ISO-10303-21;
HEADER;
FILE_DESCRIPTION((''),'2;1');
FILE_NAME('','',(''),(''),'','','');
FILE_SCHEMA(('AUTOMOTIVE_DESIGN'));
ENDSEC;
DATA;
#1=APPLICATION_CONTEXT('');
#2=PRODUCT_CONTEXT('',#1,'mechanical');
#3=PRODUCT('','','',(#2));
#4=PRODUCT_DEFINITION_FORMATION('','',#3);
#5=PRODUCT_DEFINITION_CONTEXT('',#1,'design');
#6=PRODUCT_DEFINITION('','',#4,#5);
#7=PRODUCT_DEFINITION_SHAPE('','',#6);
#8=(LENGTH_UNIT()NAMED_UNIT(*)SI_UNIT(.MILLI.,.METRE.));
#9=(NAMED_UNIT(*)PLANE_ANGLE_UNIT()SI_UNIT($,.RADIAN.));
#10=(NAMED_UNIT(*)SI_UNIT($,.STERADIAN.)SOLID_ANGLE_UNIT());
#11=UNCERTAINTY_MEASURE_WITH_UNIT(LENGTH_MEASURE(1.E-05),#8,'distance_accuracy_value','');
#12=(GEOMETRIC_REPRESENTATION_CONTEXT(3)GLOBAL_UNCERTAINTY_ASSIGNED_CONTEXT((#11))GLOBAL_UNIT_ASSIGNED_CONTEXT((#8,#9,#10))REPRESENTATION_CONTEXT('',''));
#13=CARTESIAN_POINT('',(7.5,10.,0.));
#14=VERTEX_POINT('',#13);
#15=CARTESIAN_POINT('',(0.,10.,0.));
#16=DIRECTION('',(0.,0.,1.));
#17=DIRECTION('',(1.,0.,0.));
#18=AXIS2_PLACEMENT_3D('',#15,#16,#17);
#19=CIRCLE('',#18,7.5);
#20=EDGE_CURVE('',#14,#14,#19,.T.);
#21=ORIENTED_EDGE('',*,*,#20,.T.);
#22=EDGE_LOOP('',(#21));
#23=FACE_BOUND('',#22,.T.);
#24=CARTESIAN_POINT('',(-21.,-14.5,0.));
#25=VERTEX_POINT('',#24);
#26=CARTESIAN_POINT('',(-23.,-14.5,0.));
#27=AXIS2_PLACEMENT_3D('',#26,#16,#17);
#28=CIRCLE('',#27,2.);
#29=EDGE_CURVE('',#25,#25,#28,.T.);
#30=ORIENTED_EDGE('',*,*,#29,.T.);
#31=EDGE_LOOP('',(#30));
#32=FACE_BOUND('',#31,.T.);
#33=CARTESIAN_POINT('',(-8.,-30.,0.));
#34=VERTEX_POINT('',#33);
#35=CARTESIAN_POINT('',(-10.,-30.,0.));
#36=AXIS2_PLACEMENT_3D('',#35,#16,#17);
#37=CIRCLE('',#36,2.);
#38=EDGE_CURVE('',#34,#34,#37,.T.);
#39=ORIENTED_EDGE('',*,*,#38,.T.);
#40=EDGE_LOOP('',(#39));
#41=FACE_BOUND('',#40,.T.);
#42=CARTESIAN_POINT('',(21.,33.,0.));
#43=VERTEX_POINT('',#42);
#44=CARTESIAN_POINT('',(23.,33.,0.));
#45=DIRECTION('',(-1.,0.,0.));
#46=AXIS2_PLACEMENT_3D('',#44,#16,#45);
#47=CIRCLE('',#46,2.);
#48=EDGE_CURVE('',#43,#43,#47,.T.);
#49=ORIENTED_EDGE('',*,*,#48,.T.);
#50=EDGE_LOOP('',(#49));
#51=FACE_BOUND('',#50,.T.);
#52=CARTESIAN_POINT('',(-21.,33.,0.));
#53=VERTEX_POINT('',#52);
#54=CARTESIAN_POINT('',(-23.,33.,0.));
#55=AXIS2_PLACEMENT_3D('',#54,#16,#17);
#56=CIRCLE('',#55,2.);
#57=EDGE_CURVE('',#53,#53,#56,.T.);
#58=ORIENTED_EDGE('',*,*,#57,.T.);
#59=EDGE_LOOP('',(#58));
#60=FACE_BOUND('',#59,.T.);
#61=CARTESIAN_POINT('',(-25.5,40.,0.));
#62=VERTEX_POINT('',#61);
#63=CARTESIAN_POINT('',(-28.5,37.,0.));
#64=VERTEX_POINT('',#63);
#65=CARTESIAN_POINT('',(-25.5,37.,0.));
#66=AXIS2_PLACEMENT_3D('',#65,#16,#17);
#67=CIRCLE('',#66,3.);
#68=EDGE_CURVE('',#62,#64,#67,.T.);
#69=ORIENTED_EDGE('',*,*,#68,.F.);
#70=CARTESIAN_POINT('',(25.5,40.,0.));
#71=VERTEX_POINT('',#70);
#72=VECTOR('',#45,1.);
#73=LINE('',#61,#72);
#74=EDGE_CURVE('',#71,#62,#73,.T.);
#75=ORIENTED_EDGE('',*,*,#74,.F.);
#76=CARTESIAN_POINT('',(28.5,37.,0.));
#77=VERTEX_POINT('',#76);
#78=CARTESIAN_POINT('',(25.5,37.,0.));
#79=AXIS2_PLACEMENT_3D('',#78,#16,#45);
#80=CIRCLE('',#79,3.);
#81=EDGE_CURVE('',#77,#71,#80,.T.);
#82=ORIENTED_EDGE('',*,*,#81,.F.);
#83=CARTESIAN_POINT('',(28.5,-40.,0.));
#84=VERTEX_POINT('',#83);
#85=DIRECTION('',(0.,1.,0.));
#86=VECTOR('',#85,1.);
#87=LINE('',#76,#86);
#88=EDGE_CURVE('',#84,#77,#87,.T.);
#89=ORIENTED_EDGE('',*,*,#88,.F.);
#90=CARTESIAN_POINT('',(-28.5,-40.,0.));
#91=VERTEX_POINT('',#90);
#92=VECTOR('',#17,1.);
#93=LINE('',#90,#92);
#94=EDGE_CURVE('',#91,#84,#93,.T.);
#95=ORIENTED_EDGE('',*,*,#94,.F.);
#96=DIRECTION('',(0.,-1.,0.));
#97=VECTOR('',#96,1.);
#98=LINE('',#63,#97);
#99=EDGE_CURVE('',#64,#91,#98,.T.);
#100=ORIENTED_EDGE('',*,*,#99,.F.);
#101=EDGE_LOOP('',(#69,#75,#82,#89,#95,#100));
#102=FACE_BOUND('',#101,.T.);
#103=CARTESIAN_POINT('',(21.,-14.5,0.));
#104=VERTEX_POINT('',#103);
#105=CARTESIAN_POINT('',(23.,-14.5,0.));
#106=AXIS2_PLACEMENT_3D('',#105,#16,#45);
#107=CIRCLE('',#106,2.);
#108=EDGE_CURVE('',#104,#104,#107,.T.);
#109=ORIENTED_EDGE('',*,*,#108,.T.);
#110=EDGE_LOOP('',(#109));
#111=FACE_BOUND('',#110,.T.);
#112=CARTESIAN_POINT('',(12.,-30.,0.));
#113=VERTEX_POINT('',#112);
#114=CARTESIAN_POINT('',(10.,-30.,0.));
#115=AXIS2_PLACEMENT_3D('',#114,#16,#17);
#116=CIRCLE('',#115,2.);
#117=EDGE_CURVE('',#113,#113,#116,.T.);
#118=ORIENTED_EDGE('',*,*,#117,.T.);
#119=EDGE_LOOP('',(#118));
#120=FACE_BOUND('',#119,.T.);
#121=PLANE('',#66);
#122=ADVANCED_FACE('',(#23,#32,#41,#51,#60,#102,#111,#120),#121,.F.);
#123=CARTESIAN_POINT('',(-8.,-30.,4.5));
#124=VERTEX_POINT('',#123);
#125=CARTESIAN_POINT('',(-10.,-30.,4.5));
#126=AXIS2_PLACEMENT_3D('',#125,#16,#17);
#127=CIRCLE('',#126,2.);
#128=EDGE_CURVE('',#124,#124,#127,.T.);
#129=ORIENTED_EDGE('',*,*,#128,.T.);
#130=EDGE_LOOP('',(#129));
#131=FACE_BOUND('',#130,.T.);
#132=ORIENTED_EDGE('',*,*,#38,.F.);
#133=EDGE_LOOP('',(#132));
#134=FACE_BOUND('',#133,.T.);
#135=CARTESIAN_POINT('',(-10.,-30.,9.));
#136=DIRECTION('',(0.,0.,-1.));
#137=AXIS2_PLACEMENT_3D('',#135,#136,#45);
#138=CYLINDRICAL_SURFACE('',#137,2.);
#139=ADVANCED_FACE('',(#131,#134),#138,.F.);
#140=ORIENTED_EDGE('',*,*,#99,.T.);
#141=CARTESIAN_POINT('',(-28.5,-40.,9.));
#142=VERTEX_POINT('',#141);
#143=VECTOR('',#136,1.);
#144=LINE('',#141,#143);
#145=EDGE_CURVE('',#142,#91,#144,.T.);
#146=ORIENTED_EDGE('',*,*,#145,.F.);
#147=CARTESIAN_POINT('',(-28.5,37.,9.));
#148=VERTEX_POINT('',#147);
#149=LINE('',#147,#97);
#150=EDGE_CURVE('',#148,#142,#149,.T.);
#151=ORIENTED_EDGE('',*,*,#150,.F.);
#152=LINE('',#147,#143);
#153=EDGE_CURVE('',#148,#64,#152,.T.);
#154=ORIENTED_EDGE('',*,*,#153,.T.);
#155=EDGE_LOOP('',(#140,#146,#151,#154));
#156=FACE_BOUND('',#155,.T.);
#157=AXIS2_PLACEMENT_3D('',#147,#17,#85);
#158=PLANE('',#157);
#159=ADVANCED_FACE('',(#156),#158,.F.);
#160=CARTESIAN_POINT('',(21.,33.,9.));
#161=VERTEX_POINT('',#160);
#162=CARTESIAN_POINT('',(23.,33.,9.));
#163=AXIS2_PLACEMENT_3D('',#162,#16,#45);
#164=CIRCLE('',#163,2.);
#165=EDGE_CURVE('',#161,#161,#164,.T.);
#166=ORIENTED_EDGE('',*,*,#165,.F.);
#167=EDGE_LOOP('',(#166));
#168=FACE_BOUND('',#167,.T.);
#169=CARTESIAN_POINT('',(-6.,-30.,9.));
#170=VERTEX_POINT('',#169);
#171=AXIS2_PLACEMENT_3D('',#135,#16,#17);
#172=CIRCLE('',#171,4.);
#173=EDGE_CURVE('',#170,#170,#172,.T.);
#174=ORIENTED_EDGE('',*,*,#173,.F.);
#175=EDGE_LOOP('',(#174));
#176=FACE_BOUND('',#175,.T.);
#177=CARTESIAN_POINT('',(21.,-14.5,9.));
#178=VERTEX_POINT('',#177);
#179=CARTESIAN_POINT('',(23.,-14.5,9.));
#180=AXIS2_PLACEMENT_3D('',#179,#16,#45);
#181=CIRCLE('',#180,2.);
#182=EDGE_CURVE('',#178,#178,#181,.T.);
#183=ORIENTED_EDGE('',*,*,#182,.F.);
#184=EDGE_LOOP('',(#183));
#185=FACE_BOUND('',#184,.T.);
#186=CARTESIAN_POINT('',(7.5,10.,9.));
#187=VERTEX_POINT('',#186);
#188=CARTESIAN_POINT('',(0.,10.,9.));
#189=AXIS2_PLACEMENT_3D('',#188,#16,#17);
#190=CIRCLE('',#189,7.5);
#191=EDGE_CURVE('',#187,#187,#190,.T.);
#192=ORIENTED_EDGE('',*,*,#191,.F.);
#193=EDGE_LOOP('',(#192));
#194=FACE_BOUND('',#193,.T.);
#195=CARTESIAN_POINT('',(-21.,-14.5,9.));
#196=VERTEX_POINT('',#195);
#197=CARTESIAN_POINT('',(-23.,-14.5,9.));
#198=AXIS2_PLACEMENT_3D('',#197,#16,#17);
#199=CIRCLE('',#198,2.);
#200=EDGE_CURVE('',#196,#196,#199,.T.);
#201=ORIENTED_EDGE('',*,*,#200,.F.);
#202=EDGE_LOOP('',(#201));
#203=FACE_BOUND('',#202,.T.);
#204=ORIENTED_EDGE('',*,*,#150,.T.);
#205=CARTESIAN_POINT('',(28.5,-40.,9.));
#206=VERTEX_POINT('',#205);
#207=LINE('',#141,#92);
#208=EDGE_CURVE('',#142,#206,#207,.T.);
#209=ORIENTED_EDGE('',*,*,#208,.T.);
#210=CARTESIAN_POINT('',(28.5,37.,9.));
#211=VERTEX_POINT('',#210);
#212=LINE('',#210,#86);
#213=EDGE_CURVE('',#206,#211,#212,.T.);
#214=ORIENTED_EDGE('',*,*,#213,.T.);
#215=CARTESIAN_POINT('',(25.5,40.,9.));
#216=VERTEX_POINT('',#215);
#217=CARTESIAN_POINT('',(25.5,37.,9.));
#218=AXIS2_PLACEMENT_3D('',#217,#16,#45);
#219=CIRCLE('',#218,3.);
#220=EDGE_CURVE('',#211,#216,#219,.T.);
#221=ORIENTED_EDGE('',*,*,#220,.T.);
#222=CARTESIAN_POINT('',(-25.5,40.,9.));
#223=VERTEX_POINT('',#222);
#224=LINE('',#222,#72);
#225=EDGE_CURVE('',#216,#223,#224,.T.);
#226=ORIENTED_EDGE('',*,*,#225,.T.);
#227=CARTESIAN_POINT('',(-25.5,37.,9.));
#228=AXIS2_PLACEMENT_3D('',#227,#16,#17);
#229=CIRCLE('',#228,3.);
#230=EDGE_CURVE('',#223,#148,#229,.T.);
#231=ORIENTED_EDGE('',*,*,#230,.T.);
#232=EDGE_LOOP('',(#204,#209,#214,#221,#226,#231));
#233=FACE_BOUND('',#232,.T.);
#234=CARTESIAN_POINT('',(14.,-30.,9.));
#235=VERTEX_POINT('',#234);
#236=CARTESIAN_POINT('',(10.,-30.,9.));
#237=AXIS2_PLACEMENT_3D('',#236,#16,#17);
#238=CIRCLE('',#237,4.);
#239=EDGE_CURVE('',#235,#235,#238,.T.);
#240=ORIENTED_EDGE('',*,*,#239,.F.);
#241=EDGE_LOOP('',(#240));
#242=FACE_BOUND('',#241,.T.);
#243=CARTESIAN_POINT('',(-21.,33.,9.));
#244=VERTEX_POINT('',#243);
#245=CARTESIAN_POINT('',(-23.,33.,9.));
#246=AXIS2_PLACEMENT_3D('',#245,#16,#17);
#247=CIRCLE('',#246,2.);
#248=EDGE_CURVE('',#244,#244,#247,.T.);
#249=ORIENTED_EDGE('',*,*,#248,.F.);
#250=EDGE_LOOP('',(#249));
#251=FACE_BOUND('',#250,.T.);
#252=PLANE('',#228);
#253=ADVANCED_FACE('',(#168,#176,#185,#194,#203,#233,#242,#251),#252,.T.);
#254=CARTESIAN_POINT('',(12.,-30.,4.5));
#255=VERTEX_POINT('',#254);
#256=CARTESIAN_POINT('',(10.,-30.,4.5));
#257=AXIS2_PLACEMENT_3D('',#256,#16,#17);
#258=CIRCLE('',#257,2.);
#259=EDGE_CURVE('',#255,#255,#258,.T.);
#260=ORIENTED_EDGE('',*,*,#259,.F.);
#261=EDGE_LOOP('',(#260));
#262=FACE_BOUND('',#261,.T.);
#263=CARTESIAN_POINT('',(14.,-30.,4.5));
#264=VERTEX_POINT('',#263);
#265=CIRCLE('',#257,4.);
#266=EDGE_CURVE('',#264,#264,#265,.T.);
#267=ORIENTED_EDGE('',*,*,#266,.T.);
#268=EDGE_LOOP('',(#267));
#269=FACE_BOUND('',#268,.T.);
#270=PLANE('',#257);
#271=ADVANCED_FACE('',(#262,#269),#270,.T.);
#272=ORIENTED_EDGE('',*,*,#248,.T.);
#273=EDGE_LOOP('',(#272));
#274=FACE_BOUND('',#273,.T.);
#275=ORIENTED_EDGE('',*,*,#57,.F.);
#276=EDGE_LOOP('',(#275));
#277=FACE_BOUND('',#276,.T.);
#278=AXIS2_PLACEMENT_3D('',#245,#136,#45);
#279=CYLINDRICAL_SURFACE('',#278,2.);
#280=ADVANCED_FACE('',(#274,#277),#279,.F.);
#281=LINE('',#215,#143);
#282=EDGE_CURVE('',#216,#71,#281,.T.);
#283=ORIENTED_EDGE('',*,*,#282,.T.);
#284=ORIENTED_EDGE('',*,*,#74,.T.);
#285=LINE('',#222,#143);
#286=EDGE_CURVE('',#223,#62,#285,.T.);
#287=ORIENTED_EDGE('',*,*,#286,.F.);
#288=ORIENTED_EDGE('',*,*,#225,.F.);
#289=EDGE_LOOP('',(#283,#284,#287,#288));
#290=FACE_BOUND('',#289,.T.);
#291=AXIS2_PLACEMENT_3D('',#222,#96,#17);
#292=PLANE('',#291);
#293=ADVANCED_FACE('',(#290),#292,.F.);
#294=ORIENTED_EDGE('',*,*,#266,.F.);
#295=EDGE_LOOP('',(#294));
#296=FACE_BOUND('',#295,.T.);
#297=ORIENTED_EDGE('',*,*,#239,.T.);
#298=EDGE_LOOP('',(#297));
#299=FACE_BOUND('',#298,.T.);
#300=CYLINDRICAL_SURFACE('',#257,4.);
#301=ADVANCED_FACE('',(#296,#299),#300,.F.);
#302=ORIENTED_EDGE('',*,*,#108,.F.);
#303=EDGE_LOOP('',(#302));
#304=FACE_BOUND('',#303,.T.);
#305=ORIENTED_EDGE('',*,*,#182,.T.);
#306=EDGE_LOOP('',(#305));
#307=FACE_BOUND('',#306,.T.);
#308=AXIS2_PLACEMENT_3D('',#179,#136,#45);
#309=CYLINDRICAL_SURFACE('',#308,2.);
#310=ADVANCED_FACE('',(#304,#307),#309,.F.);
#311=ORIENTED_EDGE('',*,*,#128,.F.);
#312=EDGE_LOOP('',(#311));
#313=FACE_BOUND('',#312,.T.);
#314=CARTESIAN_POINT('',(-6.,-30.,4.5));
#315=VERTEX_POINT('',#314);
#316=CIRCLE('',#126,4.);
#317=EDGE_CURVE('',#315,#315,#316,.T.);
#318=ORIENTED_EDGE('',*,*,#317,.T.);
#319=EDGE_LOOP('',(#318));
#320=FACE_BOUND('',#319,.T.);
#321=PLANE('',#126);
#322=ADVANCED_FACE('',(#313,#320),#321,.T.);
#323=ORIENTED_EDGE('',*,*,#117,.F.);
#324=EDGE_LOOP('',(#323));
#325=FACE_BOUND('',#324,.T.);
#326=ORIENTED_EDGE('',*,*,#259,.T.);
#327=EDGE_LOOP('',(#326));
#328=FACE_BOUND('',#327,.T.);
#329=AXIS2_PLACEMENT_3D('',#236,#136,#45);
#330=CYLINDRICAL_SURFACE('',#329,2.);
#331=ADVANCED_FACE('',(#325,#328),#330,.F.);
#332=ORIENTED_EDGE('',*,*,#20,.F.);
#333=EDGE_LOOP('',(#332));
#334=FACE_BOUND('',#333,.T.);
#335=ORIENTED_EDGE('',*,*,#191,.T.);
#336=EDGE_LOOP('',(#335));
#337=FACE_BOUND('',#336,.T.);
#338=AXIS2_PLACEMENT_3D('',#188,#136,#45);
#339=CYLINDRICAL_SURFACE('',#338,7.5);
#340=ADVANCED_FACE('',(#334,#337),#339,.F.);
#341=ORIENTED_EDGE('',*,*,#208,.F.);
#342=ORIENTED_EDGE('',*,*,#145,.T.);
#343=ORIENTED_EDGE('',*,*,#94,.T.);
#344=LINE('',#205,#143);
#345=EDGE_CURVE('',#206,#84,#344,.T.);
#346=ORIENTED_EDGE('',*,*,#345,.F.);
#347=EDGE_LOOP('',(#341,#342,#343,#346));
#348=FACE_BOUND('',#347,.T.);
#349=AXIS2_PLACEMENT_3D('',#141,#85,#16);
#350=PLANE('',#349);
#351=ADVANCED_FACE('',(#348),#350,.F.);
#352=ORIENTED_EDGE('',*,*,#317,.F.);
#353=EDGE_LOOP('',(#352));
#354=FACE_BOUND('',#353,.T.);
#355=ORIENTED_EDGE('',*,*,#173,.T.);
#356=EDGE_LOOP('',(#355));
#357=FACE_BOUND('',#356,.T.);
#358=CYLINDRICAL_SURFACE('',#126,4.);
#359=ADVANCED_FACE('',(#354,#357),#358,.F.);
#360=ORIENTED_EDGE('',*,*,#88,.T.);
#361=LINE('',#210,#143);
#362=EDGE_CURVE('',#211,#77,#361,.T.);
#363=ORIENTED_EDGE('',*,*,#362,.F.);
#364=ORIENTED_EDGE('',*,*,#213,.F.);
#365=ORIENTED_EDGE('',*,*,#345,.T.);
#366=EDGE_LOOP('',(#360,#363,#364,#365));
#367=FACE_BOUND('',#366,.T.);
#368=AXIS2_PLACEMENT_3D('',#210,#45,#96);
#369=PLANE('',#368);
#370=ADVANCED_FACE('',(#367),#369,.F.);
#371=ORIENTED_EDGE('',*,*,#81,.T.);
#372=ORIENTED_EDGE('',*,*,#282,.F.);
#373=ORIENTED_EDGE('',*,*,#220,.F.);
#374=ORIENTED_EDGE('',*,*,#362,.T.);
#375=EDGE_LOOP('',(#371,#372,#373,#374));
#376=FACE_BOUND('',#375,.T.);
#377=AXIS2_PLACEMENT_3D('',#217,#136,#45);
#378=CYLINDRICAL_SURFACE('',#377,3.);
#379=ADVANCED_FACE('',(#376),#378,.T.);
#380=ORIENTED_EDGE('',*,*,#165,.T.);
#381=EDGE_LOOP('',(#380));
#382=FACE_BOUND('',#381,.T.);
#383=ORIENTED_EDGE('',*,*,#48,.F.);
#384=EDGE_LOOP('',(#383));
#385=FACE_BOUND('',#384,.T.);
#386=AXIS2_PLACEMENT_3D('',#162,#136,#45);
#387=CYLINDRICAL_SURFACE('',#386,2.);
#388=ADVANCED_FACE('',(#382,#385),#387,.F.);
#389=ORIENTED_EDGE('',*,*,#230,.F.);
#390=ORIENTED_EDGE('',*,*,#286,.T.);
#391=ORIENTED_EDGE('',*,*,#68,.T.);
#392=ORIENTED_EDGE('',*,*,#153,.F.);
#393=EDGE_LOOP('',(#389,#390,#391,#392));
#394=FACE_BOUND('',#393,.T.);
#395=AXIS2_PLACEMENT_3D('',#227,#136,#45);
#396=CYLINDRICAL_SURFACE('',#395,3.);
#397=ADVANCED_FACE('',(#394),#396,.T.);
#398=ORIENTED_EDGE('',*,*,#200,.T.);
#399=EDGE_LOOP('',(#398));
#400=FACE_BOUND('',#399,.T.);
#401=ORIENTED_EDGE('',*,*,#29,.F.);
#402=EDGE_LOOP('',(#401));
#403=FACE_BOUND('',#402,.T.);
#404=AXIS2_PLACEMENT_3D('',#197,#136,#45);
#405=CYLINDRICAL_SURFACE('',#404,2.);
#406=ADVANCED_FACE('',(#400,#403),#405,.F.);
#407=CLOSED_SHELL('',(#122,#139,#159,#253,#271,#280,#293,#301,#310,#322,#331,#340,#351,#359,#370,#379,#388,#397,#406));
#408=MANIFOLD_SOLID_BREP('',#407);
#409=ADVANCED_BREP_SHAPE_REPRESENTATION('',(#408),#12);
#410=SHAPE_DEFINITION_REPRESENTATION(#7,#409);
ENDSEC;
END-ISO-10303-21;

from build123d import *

# Parameters (mm, degrees)
CROQUIS1_R              = 7.5
CROQUIS1_R_2            = 2
SALIENTE_EXTRUIR1_DEPTH = 9
CROQUIS2_R              = 4
CORTAR_EXTRUIR1_DEPTH   = 4.5


with BuildPart() as part:
    # Croquis1 → Saliente-Extruir1 (new body)
    with BuildSketch(Plane.XY):
        with BuildLine():
            Line((-25.5, 40), (25.5, 40))
            ThreePointArc((25.5, 40), (27.621320344, 39.121320344), (28.5, 37))
            Line((28.5, 37), (28.5, -40))
            Line((28.5, -40), (-28.5, -40))
            Line((-28.5, -40), (-28.5, 37))
            ThreePointArc((-28.5, 37), (-27.621320344, 39.121320344), (-25.5, 40))
        make_face()
        with Locations((0, 10)):
            Circle(CROQUIS1_R, mode=Mode.SUBTRACT)
        with Locations((10, -30)):
            Circle(CROQUIS1_R_2, mode=Mode.SUBTRACT)
        with Locations((-10, -30)):
            Circle(CROQUIS1_R_2, mode=Mode.SUBTRACT)
        with Locations((-23, 33)):
            Circle(CROQUIS1_R_2, mode=Mode.SUBTRACT)
        with Locations((-23, -14.5)):
            Circle(CROQUIS1_R_2, mode=Mode.SUBTRACT)
        with Locations(Location((23, -14.5, 0), (0, 0, 180))):
            Circle(CROQUIS1_R_2, mode=Mode.SUBTRACT)
        with Locations(Location((23, 33, 0), (0, 0, 180))):
            Circle(CROQUIS1_R_2, mode=Mode.SUBTRACT)
    extrude(amount=SALIENTE_EXTRUIR1_DEPTH)

    # Croquis2 → Cortar-Extruir1 (cut)
    with BuildSketch(Plane.XY.offset(9)):
        with Locations((-10, -30)):
            Circle(CROQUIS2_R)
        with Locations((10, -30)):
            Circle(CROQUIS2_R)
    extrude(amount=-CORTAR_EXTRUIR1_DEPTH, mode=Mode.SUBTRACT)


solid = part.part
